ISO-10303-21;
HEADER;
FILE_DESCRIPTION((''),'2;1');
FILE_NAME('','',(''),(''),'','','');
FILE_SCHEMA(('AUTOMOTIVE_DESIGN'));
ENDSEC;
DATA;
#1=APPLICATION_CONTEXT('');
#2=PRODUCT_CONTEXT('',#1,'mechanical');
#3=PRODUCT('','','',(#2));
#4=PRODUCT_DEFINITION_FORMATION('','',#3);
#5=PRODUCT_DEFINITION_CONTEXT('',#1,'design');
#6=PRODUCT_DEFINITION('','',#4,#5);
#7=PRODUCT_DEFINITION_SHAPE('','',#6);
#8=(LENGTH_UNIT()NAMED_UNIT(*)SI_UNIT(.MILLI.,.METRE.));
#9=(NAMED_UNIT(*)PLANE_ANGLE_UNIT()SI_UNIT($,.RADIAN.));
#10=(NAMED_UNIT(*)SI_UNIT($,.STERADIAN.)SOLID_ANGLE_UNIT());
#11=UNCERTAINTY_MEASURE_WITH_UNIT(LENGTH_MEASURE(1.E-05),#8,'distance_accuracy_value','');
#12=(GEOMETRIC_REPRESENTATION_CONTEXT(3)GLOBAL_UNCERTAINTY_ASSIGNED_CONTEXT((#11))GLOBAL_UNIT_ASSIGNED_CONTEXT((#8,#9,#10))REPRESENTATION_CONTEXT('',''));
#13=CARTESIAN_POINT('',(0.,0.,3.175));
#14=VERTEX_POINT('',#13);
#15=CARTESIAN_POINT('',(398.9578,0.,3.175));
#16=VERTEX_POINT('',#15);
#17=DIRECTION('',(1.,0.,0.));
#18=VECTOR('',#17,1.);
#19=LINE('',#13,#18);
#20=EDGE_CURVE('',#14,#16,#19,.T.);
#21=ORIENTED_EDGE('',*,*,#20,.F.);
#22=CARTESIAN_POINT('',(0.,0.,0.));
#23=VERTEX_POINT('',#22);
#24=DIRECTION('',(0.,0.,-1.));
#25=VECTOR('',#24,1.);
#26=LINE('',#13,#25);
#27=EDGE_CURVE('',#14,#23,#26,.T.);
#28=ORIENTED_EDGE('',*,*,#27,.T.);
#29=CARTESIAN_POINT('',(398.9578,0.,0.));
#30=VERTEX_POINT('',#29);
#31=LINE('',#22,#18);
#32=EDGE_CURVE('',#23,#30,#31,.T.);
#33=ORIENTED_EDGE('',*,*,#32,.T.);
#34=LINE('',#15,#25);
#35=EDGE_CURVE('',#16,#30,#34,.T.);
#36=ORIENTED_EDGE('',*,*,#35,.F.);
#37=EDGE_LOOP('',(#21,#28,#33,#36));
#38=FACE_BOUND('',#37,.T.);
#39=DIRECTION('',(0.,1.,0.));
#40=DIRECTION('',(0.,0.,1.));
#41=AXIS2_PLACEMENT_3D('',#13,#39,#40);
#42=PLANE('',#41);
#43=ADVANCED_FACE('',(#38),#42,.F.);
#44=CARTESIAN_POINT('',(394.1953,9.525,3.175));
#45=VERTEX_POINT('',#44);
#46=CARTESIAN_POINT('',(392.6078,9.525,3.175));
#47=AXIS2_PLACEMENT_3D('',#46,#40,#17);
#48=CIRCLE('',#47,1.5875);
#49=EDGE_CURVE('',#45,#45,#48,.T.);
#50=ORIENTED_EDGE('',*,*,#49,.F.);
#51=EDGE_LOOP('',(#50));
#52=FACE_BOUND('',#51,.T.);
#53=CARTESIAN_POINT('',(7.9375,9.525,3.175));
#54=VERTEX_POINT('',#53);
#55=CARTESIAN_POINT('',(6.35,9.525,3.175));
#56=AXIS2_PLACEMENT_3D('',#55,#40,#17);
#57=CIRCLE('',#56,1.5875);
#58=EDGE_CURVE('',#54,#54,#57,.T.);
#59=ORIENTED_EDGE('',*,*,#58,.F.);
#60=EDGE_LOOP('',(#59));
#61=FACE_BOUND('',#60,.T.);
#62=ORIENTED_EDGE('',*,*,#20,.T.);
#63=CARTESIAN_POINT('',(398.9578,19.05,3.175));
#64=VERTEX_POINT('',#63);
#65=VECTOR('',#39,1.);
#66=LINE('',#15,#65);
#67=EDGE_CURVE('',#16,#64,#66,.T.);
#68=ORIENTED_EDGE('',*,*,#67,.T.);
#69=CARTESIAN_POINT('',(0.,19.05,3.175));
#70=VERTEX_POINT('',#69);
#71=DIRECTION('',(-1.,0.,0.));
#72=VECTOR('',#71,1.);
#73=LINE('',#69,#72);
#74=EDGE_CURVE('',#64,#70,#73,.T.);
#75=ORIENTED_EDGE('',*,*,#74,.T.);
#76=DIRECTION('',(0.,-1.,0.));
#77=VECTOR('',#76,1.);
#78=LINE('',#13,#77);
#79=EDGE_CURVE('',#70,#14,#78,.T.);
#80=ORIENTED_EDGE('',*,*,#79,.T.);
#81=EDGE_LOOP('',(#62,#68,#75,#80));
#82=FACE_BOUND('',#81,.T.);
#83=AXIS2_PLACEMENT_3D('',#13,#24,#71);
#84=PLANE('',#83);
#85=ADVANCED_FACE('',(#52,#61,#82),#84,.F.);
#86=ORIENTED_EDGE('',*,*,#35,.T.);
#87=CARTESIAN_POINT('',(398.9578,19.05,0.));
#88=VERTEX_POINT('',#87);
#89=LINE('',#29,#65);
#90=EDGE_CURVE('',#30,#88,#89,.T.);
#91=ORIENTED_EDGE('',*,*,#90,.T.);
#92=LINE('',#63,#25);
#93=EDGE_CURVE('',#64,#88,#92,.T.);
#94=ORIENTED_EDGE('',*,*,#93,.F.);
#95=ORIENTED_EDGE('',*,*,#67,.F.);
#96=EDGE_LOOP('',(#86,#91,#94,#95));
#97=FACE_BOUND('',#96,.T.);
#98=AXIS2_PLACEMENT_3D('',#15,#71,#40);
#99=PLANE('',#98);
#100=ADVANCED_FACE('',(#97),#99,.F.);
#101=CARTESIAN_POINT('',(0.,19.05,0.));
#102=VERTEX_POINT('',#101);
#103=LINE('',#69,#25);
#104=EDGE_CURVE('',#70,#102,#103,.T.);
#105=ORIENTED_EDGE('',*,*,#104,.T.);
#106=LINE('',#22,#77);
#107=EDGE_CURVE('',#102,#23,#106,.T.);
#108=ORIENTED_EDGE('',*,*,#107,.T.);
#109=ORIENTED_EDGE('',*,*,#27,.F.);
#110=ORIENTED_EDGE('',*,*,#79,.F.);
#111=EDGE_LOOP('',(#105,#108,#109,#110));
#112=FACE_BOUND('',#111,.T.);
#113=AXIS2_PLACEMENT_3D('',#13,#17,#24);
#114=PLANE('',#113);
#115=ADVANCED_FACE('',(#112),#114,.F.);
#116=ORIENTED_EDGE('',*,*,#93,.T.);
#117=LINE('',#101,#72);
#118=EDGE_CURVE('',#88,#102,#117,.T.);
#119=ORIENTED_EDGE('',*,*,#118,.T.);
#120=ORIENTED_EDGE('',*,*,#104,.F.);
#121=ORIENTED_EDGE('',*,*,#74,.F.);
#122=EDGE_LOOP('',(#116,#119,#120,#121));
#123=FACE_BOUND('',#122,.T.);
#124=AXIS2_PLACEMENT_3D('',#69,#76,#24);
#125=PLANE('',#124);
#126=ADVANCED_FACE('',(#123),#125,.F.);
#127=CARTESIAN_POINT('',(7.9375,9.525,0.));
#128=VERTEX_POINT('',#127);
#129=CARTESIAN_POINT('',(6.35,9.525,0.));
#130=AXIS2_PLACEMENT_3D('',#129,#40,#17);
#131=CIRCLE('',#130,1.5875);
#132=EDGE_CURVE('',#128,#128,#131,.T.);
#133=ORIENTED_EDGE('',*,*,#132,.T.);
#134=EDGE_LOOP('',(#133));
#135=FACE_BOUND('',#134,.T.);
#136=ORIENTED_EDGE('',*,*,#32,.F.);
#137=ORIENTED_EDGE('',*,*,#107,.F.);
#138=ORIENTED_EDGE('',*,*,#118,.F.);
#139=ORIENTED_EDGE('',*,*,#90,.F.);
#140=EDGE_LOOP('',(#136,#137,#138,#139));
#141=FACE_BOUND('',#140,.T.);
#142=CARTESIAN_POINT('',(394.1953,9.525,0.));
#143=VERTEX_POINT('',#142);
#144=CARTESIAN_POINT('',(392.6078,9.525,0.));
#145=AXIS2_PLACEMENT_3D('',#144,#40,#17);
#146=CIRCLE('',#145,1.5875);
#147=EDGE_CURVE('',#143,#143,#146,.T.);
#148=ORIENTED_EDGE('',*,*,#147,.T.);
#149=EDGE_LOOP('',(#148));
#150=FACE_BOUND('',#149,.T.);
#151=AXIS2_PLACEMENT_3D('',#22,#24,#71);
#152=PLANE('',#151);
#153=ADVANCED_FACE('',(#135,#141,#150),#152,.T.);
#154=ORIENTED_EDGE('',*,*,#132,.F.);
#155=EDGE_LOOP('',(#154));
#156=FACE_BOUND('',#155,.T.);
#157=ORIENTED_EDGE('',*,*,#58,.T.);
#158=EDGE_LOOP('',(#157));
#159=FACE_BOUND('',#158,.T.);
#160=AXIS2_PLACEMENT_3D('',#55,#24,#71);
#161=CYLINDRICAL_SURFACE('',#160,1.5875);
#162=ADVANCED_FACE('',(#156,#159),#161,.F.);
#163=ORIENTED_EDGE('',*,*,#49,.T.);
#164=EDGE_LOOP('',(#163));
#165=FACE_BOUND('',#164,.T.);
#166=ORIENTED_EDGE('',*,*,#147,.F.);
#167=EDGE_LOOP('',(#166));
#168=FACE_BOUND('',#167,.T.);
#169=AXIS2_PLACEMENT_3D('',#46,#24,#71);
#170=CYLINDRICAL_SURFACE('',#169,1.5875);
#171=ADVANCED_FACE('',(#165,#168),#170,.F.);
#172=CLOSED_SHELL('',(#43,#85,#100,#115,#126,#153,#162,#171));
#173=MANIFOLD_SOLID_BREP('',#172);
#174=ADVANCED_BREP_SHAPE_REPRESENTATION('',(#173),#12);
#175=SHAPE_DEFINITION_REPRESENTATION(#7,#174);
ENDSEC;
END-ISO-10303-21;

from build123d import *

# Parameters (mm, degrees)
SKETCH7_W           = 398.9578
SKETCH7_H           = 19.05
SKETCH7_R           = 1.5875
BOSS_EXTRUDE1_DEPTH = 3.175


with BuildPart() as part:
    # Sketch7 → Boss-Extrude1 (new body)
    with BuildSketch(Plane.XY):
        with Locations((199.4789, 9.525)):
            Rectangle(SKETCH7_W, SKETCH7_H)
        with Locations((6.35, 9.525)):
            Circle(SKETCH7_R, mode=Mode.SUBTRACT)
        with Locations((392.6078, 9.525)):
            Circle(SKETCH7_R, mode=Mode.SUBTRACT)
    extrude(amount=BOSS_EXTRUDE1_DEPTH)


solid = part.part
